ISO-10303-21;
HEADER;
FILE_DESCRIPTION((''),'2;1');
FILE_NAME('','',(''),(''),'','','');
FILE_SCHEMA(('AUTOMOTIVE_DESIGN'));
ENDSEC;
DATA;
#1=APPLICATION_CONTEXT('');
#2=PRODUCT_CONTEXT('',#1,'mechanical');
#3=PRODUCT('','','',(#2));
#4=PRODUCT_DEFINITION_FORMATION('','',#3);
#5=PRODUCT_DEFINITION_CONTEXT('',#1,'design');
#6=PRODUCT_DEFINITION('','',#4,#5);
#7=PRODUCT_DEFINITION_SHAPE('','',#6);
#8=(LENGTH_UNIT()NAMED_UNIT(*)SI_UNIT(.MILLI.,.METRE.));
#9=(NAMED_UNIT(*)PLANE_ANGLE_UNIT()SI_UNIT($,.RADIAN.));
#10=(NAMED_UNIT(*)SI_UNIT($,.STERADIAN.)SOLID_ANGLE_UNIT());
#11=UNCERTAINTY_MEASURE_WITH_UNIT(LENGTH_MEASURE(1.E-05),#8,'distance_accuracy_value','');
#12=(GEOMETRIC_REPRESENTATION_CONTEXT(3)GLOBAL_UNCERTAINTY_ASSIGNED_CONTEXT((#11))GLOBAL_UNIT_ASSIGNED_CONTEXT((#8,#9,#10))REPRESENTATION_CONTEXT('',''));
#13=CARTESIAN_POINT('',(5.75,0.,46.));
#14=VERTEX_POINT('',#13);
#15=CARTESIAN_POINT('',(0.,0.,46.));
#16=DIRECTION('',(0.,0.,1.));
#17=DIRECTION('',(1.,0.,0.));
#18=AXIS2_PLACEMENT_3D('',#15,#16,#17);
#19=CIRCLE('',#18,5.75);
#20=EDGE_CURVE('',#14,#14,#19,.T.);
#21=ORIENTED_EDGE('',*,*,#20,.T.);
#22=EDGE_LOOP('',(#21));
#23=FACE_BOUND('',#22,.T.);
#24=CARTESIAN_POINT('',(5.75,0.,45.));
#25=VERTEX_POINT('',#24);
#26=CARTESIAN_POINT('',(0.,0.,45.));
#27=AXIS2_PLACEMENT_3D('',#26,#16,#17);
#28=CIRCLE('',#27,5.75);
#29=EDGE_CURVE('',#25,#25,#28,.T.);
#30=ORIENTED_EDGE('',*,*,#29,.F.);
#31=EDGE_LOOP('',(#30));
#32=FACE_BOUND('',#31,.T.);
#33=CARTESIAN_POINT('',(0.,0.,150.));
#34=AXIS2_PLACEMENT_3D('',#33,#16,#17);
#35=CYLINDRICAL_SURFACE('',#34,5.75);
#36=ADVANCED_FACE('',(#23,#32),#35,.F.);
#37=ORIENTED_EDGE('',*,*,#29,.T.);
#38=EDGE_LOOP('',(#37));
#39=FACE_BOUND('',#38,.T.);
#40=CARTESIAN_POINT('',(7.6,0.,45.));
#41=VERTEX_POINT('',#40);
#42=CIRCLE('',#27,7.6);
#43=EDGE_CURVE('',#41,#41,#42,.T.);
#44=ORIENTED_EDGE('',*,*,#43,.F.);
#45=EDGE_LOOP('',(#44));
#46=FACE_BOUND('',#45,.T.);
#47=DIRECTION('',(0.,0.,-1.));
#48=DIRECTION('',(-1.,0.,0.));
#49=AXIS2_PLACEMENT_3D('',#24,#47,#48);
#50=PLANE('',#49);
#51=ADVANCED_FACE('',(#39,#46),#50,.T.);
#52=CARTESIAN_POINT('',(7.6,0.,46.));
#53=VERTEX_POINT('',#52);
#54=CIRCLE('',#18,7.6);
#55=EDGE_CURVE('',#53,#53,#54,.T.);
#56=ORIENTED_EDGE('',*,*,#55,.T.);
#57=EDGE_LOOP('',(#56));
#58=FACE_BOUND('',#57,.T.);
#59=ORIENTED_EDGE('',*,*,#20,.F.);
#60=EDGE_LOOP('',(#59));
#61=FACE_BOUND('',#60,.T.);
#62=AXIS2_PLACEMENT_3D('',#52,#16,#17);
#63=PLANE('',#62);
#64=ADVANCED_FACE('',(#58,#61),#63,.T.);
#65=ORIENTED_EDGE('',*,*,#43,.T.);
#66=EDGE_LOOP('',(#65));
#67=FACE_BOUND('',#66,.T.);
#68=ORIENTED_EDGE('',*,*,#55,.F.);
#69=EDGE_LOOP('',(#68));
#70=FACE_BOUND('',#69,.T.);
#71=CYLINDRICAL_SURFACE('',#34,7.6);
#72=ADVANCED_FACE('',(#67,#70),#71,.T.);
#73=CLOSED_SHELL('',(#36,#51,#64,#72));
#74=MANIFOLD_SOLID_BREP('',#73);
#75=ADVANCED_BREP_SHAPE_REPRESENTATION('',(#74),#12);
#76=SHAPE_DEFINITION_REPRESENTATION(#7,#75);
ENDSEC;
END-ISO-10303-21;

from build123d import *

# Parameters (mm, degrees)
SKETCH1_W = 1.85
SKETCH1_H = 1


with BuildPart() as part:
    # Sketch1 → REV_DIN471_12x1_envelope (revolve)
    with BuildSketch(Plane(origin=(0, 0, 0), x_dir=(1, 0, 0), z_dir=(0, 1, 0))):
        with Locations((6.675, -45.5)):
            Rectangle(SKETCH1_W, SKETCH1_H)
    revolve(axis=Axis((0, 0, 150), (0, 0, -1)))


solid = part.part
